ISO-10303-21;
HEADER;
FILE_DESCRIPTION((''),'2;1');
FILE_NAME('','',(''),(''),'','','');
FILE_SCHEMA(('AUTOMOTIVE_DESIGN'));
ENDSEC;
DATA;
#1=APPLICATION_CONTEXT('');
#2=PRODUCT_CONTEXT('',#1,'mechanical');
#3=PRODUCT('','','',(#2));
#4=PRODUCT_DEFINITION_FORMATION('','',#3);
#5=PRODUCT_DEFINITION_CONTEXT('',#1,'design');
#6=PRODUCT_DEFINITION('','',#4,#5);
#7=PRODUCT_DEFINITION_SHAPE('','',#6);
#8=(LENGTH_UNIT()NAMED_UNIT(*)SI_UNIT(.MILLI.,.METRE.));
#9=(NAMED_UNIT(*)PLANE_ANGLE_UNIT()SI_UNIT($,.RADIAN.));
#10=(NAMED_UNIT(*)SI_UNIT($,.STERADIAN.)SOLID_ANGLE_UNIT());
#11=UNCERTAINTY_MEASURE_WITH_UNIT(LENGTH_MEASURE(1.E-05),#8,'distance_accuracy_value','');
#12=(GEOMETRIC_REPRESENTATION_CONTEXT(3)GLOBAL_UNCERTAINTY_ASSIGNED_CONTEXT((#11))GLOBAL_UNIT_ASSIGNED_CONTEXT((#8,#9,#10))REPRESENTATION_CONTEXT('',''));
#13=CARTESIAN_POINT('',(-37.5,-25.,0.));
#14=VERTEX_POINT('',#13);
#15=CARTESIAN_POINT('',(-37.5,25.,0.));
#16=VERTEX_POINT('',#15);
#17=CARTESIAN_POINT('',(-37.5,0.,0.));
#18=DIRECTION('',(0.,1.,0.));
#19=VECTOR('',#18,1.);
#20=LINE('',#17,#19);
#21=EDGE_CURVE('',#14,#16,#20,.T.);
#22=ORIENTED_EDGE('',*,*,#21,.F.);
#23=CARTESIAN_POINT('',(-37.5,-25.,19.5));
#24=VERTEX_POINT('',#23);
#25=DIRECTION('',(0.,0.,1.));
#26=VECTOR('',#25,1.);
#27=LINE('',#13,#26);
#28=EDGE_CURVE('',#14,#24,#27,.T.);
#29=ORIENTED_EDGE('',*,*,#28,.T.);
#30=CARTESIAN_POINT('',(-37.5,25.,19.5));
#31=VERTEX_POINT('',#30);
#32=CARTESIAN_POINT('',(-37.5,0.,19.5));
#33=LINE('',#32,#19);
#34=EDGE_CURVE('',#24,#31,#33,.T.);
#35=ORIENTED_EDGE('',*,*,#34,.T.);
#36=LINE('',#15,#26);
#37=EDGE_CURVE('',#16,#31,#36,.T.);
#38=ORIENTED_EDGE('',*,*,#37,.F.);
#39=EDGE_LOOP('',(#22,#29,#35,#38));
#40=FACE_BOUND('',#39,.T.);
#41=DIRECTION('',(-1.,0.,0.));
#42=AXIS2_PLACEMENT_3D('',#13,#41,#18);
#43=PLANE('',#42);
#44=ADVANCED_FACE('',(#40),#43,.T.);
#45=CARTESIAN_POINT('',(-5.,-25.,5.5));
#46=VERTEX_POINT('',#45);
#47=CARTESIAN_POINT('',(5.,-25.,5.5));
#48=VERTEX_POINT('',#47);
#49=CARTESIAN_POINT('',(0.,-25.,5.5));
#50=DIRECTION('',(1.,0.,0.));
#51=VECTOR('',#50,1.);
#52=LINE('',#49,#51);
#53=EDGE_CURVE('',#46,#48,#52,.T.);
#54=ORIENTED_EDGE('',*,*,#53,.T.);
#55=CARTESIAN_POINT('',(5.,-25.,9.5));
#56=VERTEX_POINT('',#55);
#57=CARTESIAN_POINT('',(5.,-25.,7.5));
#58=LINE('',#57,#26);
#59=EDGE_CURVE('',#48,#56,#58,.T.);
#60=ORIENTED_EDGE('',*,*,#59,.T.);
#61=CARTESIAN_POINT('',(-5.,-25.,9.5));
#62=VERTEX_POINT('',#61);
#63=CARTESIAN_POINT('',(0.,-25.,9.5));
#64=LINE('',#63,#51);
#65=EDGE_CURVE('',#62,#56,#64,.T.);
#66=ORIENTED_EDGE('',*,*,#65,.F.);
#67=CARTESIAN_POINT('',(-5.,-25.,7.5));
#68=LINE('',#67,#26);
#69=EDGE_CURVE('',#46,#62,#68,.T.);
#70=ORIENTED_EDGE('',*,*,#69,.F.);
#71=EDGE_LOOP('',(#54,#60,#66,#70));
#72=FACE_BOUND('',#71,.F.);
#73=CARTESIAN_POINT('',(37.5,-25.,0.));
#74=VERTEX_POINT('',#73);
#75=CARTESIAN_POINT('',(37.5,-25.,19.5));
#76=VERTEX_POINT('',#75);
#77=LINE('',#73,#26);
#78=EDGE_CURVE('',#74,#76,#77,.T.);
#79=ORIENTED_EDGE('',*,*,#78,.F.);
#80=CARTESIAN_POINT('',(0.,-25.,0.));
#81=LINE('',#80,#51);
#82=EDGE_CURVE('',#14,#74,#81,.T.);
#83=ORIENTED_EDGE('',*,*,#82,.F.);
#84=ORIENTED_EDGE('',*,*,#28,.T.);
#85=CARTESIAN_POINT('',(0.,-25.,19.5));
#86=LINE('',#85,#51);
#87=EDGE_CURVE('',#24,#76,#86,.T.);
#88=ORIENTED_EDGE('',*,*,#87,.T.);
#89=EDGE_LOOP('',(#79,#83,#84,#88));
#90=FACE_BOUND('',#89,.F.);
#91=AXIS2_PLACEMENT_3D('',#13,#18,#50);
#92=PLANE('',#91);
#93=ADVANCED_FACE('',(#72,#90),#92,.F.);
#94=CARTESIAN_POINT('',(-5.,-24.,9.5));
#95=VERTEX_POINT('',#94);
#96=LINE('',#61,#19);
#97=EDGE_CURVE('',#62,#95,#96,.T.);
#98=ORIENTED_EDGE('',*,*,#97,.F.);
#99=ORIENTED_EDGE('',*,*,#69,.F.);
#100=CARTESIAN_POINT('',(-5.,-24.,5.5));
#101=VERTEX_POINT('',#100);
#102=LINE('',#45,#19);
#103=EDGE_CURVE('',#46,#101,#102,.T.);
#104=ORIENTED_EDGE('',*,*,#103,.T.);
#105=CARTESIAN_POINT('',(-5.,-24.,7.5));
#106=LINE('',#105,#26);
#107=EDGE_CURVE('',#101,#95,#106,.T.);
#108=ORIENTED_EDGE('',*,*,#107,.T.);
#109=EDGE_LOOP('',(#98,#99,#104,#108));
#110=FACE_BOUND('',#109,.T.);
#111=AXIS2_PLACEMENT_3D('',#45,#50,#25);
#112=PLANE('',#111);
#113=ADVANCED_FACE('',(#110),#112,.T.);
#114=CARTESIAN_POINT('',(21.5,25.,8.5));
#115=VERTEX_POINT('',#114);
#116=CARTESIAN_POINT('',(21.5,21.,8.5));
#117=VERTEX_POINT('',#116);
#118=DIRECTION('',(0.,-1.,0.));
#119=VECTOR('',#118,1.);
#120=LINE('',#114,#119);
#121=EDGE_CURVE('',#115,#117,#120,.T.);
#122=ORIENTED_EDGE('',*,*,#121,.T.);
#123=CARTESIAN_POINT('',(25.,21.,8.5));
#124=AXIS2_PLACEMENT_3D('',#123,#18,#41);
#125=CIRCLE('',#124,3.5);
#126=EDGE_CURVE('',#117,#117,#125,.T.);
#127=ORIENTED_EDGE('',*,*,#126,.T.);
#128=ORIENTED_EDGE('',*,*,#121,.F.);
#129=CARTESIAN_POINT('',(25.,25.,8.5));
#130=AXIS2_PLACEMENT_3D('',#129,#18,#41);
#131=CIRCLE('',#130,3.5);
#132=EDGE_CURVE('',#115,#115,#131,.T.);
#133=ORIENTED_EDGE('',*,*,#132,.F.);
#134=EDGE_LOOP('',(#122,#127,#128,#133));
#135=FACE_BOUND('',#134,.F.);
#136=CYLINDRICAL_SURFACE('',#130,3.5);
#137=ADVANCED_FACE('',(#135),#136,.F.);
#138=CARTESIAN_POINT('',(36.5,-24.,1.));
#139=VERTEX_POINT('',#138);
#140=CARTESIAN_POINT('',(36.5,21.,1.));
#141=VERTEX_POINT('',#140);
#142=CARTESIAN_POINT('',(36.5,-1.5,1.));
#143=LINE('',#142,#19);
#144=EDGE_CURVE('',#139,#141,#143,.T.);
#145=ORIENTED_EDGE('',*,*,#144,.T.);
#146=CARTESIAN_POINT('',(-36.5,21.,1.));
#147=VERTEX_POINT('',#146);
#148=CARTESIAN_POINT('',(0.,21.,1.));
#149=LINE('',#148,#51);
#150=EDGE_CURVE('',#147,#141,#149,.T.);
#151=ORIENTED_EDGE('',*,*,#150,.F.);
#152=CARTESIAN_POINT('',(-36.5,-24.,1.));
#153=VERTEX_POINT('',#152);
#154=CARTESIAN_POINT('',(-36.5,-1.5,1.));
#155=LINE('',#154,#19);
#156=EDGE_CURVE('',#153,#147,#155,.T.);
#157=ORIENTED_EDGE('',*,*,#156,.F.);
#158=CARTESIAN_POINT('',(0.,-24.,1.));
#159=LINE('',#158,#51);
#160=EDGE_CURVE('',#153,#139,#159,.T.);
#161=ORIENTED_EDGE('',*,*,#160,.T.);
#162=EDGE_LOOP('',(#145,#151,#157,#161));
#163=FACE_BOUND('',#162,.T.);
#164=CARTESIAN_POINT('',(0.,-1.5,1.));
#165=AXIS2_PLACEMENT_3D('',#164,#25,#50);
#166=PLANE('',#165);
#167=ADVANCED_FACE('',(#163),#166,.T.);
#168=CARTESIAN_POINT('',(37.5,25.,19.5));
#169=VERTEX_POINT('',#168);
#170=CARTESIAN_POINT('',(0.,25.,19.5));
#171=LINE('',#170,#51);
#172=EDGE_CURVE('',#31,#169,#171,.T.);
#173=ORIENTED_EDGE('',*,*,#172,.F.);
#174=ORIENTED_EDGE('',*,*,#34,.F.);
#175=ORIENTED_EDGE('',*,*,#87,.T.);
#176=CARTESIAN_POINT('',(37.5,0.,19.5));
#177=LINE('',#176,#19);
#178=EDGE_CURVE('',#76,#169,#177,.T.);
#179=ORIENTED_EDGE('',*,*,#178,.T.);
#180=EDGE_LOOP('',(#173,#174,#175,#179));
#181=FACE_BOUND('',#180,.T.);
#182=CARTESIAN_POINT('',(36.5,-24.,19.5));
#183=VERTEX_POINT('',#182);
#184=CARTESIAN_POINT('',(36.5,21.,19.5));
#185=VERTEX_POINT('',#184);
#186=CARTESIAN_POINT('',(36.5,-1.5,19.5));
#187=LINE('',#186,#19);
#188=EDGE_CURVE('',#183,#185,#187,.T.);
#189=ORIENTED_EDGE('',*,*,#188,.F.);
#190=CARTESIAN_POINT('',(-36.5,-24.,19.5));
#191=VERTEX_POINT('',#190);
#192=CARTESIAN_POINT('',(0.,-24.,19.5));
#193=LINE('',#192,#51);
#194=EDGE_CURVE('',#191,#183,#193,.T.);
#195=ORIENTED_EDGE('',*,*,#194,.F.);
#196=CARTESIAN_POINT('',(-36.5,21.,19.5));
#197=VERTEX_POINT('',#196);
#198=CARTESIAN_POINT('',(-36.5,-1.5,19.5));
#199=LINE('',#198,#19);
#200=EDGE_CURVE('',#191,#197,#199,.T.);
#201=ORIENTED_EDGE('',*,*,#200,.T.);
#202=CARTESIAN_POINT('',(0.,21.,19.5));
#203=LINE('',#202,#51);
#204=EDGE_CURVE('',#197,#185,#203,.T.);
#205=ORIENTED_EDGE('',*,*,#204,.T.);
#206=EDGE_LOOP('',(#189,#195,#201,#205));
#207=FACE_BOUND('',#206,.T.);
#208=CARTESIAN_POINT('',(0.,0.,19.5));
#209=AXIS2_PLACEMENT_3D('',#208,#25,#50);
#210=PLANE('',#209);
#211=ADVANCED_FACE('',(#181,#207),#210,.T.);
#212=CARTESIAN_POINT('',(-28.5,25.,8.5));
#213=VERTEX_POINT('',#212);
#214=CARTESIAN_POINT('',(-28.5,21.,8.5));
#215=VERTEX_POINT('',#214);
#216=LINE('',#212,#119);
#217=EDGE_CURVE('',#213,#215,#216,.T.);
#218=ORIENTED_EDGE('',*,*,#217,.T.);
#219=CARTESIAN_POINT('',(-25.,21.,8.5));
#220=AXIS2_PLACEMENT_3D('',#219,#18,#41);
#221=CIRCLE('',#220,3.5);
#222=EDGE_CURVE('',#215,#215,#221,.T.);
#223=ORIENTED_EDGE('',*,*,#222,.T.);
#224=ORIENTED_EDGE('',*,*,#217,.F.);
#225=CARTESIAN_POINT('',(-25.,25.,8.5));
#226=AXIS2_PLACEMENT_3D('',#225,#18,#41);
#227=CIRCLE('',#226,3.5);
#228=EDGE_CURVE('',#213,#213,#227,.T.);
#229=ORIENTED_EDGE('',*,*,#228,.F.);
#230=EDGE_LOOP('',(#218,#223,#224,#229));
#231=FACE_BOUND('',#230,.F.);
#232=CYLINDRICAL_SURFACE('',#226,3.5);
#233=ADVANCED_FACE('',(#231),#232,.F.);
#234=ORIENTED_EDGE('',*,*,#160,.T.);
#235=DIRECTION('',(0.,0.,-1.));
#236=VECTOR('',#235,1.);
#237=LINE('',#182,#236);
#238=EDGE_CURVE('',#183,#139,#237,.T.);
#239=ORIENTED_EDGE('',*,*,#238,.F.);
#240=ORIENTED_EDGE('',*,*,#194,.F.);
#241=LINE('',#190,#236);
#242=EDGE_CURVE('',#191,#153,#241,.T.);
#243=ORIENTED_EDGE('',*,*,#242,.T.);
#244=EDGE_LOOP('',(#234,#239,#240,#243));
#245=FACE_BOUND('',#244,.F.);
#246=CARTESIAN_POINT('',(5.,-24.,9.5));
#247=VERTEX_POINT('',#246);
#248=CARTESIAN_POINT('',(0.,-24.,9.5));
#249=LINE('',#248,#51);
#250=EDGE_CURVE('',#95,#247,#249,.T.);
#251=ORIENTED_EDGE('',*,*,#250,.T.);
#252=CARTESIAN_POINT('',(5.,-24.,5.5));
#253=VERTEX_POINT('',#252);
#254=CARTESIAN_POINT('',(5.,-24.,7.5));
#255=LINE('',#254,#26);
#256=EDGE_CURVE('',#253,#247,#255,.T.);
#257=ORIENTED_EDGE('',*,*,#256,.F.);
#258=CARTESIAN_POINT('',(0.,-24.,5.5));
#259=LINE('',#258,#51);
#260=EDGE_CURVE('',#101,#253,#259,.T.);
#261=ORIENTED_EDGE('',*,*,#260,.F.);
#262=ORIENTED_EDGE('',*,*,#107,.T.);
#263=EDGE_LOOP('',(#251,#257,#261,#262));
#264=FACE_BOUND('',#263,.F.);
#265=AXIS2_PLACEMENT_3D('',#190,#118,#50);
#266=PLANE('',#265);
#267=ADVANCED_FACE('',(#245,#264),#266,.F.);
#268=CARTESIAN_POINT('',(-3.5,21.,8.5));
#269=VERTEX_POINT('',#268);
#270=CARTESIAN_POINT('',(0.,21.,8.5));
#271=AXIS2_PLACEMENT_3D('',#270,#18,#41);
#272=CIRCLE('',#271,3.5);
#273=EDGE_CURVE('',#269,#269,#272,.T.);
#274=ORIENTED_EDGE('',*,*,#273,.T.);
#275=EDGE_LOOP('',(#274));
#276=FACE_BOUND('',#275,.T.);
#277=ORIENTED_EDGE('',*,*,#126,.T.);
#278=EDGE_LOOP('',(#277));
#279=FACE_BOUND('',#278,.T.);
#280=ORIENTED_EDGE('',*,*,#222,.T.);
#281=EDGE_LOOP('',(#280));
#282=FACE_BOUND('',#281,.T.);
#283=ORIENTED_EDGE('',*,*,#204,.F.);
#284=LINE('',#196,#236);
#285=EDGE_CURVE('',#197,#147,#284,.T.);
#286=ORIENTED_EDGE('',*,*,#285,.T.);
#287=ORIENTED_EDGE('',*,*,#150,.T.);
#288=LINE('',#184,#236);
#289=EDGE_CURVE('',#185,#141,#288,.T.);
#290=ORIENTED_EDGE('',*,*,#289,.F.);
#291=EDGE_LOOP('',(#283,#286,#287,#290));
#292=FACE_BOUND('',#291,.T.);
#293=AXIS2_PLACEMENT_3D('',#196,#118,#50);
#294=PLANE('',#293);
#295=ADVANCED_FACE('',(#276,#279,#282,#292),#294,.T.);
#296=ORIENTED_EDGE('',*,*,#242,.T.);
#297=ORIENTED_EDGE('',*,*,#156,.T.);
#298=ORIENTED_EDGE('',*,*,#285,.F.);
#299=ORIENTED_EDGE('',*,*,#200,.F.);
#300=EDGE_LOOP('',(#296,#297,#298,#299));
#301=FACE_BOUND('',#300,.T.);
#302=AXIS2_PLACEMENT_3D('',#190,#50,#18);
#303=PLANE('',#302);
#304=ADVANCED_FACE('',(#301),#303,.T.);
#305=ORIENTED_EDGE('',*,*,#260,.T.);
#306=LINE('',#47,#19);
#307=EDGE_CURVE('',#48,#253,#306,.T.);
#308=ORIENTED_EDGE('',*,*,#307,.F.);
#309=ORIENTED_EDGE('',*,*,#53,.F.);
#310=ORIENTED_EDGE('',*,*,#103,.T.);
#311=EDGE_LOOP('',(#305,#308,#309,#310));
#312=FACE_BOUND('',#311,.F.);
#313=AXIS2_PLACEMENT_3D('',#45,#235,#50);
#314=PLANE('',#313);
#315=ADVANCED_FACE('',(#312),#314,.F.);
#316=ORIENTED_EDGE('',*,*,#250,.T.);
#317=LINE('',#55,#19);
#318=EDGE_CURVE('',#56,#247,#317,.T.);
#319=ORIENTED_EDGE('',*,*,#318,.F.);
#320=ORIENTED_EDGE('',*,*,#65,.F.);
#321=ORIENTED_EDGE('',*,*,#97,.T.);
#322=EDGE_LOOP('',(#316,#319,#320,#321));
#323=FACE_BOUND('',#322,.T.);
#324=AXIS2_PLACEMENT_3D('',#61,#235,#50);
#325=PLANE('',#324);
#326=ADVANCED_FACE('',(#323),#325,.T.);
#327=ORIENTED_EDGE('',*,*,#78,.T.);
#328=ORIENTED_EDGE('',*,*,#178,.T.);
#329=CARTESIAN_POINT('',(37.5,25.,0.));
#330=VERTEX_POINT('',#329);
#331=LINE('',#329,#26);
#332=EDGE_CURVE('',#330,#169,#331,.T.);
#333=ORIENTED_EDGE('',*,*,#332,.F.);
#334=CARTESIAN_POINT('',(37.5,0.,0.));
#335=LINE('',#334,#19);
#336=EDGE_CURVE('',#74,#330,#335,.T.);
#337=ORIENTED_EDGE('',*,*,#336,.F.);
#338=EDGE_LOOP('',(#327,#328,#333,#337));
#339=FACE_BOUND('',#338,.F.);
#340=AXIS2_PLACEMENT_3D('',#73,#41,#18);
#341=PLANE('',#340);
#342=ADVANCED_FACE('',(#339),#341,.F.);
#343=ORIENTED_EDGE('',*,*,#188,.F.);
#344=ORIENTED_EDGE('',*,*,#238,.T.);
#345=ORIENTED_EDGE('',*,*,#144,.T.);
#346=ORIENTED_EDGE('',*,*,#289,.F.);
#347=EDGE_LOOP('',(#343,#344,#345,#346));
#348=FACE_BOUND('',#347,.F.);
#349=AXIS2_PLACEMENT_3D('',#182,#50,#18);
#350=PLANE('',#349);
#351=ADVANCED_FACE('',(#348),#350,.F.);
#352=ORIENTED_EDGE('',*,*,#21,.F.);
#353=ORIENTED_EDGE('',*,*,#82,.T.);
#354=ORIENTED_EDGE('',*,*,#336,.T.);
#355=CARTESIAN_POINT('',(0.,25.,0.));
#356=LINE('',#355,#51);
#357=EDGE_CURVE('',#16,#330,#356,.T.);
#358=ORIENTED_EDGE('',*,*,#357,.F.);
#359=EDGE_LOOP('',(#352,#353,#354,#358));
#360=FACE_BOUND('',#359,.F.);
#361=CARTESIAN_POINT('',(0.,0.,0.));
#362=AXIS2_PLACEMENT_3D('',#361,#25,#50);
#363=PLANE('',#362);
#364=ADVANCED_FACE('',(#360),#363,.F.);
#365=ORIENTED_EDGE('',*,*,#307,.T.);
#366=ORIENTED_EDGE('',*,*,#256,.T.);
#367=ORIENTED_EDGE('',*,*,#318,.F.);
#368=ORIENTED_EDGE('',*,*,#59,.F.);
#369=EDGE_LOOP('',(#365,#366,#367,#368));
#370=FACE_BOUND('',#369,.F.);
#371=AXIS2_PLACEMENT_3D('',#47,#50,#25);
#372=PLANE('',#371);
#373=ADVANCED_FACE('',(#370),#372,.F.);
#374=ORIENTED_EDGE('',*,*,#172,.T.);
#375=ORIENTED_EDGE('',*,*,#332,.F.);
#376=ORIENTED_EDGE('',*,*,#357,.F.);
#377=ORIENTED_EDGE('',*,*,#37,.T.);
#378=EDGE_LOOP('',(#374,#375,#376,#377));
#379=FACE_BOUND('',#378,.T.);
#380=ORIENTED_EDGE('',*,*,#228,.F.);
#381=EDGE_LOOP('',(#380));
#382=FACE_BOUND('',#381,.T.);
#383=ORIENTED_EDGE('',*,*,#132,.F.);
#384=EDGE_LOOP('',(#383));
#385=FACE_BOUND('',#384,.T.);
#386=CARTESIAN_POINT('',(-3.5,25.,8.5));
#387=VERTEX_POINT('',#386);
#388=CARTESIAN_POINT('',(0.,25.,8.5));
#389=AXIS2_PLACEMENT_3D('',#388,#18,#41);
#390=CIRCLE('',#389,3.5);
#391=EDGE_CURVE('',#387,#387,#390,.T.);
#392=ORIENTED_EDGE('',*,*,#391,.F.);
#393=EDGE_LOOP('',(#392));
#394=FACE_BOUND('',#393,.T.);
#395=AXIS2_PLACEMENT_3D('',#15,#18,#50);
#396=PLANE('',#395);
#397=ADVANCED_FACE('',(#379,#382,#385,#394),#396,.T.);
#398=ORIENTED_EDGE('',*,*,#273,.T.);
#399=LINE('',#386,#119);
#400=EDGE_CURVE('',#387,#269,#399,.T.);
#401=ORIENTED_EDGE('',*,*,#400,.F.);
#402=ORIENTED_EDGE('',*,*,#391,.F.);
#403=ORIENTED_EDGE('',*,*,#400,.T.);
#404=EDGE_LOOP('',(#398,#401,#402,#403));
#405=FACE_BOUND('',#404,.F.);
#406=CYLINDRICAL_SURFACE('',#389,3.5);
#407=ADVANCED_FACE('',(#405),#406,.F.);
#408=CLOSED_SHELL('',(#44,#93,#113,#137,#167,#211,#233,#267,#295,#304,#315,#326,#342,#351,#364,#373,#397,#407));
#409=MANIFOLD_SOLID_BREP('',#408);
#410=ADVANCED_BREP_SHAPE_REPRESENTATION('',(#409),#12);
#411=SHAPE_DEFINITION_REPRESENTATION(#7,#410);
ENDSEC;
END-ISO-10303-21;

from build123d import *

# Parameters (mm, degrees)
F2_W     = 75
F2_H     = 50
F3_DEPTH = 19.5
F4_W     = 73
F4_H     = 45
F5_DEPTH = 18.5
F6_W     = 10
F6_H     = 4
F7_DEPTH = 1
F8_R     = 3.5
F9_DEPTH = 4


with BuildPart() as f3:
    # F2 (on Top) → F3 (new body)
    with BuildSketch(Plane.XY):
        Rectangle(F2_W, F2_H)
    extrude(amount=F3_DEPTH)

    # F4 (on face) → F5 (cut)
    with BuildSketch(Plane.XY.offset(19.5)):
        with Locations((0, -1.5)):
            Rectangle(F4_W, F4_H)
    extrude(amount=-F5_DEPTH, mode=Mode.SUBTRACT)

    # F6 (on face) → F7 (cut, through all)
    with BuildSketch(Plane.XZ.offset(25)):
        with Locations((0, 7.5)):
            Rectangle(F6_W, F6_H)
    extrude(amount=-F7_DEPTH, mode=Mode.SUBTRACT)

    # F8 (on face) → F9 (cut, through all)
    with BuildSketch(Plane(origin=(0, 25, 0), x_dir=(-1, 0, 0), z_dir=(0, 1, 0))):
        with Locations((-25, 8.5)):
            Circle(F8_R)
        with Locations((0, 8.5)):
            Circle(F8_R)
        with Locations((25, 8.5)):
            Circle(F8_R)
    extrude(amount=-F9_DEPTH, mode=Mode.SUBTRACT)


solid = f3.part
